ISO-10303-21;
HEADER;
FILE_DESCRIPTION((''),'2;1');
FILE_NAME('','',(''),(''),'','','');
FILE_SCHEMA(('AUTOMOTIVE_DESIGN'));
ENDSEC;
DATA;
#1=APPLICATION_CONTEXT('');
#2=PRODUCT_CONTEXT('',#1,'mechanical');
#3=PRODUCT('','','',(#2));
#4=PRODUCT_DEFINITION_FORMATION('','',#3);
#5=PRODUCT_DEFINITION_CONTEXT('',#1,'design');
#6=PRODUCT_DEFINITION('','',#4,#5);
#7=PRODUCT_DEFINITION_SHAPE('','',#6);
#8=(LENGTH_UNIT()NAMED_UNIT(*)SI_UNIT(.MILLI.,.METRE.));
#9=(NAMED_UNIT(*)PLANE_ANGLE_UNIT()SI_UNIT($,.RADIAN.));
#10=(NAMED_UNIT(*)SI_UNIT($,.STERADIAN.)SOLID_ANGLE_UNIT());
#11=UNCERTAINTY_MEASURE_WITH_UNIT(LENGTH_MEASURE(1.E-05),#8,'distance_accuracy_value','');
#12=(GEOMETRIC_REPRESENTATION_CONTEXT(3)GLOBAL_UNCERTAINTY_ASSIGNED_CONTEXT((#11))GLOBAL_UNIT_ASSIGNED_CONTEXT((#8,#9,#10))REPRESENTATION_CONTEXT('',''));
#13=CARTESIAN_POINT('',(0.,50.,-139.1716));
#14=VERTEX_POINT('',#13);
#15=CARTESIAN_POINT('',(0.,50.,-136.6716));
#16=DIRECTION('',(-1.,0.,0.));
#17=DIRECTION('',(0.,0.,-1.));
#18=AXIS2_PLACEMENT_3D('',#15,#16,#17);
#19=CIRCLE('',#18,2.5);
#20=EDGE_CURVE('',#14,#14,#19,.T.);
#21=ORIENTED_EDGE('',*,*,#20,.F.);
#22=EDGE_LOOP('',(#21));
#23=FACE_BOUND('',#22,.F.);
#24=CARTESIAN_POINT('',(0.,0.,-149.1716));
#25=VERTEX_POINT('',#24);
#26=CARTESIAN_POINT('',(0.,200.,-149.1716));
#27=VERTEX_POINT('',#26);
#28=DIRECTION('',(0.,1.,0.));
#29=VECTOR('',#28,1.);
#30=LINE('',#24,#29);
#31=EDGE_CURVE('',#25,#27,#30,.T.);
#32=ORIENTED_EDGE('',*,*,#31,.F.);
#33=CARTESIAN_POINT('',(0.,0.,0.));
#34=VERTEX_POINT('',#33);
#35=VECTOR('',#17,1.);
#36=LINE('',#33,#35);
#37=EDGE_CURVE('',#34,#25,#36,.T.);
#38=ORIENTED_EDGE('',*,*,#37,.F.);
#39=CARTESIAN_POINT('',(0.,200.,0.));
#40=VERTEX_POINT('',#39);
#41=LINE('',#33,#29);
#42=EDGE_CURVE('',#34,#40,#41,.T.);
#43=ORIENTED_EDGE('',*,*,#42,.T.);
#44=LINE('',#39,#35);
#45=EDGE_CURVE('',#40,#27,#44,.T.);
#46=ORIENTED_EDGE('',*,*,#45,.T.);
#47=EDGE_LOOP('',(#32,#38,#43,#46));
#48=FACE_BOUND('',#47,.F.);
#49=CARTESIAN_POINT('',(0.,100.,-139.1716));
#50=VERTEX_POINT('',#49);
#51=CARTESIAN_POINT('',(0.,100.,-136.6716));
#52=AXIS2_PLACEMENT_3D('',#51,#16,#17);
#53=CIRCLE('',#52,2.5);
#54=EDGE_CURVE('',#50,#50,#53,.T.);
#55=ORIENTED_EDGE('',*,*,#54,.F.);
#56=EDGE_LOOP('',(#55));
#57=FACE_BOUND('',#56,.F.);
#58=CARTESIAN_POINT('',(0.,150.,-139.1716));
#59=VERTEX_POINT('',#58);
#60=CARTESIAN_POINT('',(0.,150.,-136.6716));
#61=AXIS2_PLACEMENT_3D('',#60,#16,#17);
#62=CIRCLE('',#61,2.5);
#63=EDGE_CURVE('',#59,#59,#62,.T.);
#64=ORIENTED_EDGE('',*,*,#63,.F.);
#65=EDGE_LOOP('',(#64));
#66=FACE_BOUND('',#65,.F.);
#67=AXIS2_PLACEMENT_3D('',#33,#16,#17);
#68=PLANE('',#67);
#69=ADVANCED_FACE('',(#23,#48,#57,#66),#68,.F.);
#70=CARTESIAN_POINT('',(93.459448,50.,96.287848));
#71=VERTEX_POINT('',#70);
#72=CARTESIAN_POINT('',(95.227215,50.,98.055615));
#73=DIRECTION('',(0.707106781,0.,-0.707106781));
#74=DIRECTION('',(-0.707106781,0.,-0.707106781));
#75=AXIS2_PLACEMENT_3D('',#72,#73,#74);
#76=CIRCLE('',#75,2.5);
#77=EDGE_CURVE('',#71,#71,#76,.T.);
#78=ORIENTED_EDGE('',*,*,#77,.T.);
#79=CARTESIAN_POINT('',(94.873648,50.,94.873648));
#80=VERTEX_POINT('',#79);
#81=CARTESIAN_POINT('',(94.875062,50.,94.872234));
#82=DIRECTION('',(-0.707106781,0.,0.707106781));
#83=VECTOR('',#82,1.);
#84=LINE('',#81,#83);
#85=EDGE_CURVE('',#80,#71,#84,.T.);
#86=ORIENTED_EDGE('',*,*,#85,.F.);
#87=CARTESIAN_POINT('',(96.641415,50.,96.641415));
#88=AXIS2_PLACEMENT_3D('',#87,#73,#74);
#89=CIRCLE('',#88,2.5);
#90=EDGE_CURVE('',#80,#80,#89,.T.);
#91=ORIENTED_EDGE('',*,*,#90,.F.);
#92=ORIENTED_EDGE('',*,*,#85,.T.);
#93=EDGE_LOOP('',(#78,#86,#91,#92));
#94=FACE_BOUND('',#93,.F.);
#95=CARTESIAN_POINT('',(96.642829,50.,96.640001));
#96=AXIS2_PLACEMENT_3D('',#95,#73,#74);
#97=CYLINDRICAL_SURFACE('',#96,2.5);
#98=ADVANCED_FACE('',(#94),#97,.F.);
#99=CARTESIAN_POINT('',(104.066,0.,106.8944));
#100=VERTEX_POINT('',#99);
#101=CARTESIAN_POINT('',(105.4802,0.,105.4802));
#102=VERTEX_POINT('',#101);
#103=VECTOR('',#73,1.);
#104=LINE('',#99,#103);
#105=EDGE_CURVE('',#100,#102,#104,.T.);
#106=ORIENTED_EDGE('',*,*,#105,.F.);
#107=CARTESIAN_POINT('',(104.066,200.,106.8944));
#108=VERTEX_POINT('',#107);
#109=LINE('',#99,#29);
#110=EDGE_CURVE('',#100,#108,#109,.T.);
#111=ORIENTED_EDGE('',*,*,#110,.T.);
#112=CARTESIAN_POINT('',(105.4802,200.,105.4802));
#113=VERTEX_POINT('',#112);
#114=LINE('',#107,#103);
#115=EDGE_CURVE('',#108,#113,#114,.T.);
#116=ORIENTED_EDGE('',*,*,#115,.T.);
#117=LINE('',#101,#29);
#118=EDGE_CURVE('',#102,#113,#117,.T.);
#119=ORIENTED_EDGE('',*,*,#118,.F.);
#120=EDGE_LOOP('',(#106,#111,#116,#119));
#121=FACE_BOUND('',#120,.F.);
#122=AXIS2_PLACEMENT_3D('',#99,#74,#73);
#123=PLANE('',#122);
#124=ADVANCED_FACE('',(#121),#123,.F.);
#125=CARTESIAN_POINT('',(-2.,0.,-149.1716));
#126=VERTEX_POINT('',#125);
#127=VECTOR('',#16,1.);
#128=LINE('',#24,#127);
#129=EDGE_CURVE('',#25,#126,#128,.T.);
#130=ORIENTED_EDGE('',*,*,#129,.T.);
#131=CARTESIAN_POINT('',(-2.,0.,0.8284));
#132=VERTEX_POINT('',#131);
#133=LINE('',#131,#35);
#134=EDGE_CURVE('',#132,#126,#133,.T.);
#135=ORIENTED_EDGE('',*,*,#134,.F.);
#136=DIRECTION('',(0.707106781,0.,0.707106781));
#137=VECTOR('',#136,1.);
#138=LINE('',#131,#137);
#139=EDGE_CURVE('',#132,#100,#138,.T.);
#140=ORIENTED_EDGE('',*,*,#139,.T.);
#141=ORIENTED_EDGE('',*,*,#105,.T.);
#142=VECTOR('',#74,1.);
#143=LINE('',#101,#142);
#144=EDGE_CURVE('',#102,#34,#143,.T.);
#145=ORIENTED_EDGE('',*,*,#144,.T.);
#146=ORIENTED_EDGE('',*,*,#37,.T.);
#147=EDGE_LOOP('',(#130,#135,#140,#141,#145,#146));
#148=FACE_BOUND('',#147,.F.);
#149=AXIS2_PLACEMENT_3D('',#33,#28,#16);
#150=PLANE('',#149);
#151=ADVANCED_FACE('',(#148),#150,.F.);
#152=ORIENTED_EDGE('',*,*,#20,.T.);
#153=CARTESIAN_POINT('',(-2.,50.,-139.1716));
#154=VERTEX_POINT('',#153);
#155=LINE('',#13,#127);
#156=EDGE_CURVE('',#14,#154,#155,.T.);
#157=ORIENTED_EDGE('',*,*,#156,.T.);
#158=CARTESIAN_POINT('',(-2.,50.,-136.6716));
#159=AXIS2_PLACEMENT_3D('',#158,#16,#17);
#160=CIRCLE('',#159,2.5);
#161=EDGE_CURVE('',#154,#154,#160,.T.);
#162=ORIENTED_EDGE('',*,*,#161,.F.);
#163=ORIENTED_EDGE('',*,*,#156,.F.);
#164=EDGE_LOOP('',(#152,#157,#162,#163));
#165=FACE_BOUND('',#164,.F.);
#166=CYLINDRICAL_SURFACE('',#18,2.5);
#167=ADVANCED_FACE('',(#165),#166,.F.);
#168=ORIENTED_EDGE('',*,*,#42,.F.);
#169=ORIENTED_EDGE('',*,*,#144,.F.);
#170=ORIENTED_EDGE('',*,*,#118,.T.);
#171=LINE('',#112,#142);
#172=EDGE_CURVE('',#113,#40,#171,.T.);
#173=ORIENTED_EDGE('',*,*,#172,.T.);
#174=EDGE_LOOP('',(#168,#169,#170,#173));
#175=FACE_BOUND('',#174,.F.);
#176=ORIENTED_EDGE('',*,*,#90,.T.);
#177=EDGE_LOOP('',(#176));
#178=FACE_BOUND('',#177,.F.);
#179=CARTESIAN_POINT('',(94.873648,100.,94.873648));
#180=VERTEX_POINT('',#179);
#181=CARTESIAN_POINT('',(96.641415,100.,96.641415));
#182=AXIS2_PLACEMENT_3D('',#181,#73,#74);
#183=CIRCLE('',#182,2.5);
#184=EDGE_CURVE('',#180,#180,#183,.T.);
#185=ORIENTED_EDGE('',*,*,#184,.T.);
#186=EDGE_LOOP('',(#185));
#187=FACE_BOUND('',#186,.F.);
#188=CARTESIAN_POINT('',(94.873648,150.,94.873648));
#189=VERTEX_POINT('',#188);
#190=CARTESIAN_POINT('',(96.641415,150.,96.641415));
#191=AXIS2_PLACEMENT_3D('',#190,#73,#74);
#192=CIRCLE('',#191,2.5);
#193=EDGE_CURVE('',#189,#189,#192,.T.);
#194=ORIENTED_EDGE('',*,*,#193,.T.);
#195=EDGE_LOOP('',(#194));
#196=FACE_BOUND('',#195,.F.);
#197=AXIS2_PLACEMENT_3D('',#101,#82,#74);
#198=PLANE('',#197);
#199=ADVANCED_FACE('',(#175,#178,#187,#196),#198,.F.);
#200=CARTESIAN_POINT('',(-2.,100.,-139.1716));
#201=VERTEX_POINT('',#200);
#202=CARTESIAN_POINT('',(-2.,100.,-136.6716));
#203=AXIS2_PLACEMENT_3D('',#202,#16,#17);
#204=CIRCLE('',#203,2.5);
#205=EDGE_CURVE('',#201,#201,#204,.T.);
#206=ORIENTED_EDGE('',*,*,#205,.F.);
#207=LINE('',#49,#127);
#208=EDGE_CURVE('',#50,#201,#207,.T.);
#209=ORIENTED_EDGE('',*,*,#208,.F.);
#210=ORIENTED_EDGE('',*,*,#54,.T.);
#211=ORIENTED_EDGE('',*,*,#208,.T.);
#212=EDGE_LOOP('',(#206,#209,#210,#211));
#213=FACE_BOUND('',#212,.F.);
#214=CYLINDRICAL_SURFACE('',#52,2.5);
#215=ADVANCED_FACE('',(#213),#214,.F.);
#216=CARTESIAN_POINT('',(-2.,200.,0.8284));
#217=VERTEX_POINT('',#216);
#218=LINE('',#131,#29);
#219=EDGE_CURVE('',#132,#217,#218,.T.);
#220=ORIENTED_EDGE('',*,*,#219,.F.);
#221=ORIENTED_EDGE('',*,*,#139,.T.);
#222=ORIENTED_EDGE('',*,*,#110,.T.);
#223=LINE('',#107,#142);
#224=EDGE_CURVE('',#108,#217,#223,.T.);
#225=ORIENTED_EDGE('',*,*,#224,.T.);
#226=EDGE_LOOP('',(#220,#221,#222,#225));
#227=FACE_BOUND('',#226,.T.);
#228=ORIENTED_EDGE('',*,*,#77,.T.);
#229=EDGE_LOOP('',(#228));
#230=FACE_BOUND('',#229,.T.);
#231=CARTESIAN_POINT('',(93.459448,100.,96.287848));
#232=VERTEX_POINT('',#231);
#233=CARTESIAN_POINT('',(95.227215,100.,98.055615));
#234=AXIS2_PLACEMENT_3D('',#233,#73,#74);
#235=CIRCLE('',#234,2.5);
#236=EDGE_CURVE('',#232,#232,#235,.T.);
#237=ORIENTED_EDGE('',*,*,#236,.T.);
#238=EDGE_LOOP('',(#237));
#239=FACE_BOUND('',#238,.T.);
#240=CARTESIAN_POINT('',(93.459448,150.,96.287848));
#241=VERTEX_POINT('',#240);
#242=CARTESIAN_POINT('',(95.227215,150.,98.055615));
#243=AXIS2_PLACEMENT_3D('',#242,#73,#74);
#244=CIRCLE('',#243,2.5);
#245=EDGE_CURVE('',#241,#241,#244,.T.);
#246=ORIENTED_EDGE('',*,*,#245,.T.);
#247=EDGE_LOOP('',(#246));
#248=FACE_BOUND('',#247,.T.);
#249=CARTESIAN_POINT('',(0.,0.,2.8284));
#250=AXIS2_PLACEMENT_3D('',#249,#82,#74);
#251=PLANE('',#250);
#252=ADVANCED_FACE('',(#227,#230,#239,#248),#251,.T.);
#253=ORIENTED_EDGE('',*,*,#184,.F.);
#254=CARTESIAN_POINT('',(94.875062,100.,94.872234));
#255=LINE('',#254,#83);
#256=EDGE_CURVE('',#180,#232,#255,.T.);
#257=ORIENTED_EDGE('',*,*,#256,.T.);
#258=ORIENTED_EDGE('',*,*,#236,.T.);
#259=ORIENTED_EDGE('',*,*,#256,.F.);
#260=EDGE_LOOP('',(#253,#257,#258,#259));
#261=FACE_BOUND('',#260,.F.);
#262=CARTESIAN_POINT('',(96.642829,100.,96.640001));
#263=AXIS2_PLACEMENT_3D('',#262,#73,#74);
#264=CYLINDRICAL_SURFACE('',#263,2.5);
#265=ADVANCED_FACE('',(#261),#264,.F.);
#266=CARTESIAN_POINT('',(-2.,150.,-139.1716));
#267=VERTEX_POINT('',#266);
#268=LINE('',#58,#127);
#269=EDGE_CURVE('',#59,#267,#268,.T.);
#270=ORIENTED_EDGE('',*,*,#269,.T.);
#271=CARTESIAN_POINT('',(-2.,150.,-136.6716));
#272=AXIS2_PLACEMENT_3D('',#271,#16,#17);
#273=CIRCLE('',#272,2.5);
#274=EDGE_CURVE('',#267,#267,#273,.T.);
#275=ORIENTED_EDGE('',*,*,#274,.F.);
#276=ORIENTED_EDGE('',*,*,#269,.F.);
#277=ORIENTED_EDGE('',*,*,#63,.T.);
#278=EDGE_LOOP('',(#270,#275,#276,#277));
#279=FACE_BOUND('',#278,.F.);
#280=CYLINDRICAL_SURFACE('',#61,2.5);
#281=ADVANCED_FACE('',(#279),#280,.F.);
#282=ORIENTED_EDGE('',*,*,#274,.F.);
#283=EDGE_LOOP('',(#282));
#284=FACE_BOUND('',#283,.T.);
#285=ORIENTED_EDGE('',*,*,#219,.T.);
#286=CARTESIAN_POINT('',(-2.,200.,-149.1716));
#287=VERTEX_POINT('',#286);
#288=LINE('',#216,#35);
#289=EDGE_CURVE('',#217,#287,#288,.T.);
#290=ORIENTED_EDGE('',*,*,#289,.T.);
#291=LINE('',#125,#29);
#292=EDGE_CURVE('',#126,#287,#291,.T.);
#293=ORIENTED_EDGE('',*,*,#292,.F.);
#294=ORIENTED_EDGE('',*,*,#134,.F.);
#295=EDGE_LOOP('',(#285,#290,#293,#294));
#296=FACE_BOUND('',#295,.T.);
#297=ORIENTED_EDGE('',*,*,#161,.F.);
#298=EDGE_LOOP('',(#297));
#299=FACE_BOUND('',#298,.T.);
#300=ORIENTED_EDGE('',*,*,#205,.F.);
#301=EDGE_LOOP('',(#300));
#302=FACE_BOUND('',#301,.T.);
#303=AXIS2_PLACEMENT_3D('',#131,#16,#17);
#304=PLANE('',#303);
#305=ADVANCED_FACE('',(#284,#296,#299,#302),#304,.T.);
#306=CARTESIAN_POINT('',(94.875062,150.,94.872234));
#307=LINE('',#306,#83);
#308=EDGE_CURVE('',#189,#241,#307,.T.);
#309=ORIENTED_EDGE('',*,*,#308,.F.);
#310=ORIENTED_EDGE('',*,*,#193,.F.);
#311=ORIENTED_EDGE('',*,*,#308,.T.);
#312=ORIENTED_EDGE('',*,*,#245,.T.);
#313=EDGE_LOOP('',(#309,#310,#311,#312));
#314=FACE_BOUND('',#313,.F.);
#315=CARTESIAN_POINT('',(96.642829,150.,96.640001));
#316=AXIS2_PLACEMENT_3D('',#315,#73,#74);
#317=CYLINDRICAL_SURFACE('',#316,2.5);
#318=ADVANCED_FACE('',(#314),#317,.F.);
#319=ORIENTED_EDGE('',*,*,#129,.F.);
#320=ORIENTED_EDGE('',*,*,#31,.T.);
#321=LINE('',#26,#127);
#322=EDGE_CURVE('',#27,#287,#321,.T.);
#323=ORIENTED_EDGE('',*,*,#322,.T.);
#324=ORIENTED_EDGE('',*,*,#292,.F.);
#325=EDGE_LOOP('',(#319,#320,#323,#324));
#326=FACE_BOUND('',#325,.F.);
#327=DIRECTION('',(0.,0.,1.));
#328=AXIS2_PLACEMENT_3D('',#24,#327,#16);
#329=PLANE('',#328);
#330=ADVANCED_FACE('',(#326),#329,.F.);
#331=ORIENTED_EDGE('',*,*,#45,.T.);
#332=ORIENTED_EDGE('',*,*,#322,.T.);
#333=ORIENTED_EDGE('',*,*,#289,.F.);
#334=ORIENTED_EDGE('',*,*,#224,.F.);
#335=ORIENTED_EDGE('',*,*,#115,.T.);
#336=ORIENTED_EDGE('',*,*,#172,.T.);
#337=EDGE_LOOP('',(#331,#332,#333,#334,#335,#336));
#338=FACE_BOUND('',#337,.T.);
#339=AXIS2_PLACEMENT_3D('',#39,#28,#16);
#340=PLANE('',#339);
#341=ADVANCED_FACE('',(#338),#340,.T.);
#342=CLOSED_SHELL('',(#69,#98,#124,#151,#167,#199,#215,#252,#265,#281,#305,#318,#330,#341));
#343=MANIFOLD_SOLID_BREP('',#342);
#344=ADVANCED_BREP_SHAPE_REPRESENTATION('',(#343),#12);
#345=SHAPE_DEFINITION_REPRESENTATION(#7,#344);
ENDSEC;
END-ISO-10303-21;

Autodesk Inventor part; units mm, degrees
ref_plane "YZ Plane" through (0, 0, 0) normal (1, 0, 0) x (0, 1, 0)
ref_plane "XZ Plane" through (0, 0, 0) normal (0, 1, 0) x (-1, 0, 0)
ref_plane "XY Plane" through (0, 0, 0) normal (0, 0, 1) x (1, 0, 0)
sketch "Sketch2" plane through (0, 0, 0) normal (0, 1, 0) x (-1, 0, 0)
  line L0 (0, 0) -> (0, -149.1716)
  line L1 (-105.4802, 105.4802) -> (0, 0)
  line L2 (2, 0.8284) -> (2, -149.1716)
  line L3 (-104.066, 106.8944) -> (2, 0.8284)
  line L4 (-104.066, 106.8944) -> (-105.4802, 105.4802)
  line L5 (0, -149.1716) -> (2, -149.1716)
  line L6 (0, -200.3848) -> (0, 158.1076) projected
  dimension "d2" = 0
  dimension "d5" = 2
  dimension "d6" = 2
  dimension "d7" = 135
  dimension "d8" = 135
  dimension "d9" = 150
  dimension "d10" = 150
  dimension "d42" = 149.1716
  dimension "d43" = 149.1716
extrude "Extrusion1" add sketch "Sketch2" along normal blind 200
sketch "Sketch3" plane through (0, 0, 0) normal (0.7071, 0, -0.7071) x (-0.7071, 0, -0.7071)
  circle A0 centre (-136.6716, 50) radius 2.5
  line L0 (-149.1716, 0) -> (-149.1716, 200) projected
  line L1 (-149.1716, 0) -> (0, 0) projected
  circle A1 centre (-136.6716, 100) radius 2.5
  circle A2 centre (-136.6716, 150) radius 2.5
  line L2 (-149.1716, 200) -> (0, 200) projected
  dimension "d11" = 12.5
  dimension "d13" = 5
  dimension "d14" = 5
  dimension "d16" = 5
  dimension "d17" = 12.5
  dimension "d19" = 12.5
  dimension "d20" = 50
  dimension "d21" = 50
  dimension "d24" = 50
  dimension "d25" = 50
extrude "Extrusion2" cut sketch "Sketch3" against normal blind 3
sketch "Sketch4" plane through (0, 0, 0) normal (1, 0, 0) x (0, 0, -1)
  line L0 (149.1716, 0) -> (149.1716, 200) projected
  line L1 (0, 200) -> (149.1716, 200) projected
  line L2 (0, 0) -> (149.1716, 0) projected
  point P0 (136.6716, 150)
  point P1 (136.6716, 100)
  point P2 (136.6716, 50)
  dimension "d28" = 12.5
  dimension "d29" = 12.5
  dimension "d30" = 12.5
  dimension "d31" = 50
  dimension "d32" = 50
  dimension "d33" = 50
  dimension "d34" = 50
hole "Hole1" at (0, 150, -136.6716) at (0, 100, -136.6716) at (0, 50, -136.6716) direction (-1, 0, 0) diameter 5 end through all
properties part number "Thesis_part"
